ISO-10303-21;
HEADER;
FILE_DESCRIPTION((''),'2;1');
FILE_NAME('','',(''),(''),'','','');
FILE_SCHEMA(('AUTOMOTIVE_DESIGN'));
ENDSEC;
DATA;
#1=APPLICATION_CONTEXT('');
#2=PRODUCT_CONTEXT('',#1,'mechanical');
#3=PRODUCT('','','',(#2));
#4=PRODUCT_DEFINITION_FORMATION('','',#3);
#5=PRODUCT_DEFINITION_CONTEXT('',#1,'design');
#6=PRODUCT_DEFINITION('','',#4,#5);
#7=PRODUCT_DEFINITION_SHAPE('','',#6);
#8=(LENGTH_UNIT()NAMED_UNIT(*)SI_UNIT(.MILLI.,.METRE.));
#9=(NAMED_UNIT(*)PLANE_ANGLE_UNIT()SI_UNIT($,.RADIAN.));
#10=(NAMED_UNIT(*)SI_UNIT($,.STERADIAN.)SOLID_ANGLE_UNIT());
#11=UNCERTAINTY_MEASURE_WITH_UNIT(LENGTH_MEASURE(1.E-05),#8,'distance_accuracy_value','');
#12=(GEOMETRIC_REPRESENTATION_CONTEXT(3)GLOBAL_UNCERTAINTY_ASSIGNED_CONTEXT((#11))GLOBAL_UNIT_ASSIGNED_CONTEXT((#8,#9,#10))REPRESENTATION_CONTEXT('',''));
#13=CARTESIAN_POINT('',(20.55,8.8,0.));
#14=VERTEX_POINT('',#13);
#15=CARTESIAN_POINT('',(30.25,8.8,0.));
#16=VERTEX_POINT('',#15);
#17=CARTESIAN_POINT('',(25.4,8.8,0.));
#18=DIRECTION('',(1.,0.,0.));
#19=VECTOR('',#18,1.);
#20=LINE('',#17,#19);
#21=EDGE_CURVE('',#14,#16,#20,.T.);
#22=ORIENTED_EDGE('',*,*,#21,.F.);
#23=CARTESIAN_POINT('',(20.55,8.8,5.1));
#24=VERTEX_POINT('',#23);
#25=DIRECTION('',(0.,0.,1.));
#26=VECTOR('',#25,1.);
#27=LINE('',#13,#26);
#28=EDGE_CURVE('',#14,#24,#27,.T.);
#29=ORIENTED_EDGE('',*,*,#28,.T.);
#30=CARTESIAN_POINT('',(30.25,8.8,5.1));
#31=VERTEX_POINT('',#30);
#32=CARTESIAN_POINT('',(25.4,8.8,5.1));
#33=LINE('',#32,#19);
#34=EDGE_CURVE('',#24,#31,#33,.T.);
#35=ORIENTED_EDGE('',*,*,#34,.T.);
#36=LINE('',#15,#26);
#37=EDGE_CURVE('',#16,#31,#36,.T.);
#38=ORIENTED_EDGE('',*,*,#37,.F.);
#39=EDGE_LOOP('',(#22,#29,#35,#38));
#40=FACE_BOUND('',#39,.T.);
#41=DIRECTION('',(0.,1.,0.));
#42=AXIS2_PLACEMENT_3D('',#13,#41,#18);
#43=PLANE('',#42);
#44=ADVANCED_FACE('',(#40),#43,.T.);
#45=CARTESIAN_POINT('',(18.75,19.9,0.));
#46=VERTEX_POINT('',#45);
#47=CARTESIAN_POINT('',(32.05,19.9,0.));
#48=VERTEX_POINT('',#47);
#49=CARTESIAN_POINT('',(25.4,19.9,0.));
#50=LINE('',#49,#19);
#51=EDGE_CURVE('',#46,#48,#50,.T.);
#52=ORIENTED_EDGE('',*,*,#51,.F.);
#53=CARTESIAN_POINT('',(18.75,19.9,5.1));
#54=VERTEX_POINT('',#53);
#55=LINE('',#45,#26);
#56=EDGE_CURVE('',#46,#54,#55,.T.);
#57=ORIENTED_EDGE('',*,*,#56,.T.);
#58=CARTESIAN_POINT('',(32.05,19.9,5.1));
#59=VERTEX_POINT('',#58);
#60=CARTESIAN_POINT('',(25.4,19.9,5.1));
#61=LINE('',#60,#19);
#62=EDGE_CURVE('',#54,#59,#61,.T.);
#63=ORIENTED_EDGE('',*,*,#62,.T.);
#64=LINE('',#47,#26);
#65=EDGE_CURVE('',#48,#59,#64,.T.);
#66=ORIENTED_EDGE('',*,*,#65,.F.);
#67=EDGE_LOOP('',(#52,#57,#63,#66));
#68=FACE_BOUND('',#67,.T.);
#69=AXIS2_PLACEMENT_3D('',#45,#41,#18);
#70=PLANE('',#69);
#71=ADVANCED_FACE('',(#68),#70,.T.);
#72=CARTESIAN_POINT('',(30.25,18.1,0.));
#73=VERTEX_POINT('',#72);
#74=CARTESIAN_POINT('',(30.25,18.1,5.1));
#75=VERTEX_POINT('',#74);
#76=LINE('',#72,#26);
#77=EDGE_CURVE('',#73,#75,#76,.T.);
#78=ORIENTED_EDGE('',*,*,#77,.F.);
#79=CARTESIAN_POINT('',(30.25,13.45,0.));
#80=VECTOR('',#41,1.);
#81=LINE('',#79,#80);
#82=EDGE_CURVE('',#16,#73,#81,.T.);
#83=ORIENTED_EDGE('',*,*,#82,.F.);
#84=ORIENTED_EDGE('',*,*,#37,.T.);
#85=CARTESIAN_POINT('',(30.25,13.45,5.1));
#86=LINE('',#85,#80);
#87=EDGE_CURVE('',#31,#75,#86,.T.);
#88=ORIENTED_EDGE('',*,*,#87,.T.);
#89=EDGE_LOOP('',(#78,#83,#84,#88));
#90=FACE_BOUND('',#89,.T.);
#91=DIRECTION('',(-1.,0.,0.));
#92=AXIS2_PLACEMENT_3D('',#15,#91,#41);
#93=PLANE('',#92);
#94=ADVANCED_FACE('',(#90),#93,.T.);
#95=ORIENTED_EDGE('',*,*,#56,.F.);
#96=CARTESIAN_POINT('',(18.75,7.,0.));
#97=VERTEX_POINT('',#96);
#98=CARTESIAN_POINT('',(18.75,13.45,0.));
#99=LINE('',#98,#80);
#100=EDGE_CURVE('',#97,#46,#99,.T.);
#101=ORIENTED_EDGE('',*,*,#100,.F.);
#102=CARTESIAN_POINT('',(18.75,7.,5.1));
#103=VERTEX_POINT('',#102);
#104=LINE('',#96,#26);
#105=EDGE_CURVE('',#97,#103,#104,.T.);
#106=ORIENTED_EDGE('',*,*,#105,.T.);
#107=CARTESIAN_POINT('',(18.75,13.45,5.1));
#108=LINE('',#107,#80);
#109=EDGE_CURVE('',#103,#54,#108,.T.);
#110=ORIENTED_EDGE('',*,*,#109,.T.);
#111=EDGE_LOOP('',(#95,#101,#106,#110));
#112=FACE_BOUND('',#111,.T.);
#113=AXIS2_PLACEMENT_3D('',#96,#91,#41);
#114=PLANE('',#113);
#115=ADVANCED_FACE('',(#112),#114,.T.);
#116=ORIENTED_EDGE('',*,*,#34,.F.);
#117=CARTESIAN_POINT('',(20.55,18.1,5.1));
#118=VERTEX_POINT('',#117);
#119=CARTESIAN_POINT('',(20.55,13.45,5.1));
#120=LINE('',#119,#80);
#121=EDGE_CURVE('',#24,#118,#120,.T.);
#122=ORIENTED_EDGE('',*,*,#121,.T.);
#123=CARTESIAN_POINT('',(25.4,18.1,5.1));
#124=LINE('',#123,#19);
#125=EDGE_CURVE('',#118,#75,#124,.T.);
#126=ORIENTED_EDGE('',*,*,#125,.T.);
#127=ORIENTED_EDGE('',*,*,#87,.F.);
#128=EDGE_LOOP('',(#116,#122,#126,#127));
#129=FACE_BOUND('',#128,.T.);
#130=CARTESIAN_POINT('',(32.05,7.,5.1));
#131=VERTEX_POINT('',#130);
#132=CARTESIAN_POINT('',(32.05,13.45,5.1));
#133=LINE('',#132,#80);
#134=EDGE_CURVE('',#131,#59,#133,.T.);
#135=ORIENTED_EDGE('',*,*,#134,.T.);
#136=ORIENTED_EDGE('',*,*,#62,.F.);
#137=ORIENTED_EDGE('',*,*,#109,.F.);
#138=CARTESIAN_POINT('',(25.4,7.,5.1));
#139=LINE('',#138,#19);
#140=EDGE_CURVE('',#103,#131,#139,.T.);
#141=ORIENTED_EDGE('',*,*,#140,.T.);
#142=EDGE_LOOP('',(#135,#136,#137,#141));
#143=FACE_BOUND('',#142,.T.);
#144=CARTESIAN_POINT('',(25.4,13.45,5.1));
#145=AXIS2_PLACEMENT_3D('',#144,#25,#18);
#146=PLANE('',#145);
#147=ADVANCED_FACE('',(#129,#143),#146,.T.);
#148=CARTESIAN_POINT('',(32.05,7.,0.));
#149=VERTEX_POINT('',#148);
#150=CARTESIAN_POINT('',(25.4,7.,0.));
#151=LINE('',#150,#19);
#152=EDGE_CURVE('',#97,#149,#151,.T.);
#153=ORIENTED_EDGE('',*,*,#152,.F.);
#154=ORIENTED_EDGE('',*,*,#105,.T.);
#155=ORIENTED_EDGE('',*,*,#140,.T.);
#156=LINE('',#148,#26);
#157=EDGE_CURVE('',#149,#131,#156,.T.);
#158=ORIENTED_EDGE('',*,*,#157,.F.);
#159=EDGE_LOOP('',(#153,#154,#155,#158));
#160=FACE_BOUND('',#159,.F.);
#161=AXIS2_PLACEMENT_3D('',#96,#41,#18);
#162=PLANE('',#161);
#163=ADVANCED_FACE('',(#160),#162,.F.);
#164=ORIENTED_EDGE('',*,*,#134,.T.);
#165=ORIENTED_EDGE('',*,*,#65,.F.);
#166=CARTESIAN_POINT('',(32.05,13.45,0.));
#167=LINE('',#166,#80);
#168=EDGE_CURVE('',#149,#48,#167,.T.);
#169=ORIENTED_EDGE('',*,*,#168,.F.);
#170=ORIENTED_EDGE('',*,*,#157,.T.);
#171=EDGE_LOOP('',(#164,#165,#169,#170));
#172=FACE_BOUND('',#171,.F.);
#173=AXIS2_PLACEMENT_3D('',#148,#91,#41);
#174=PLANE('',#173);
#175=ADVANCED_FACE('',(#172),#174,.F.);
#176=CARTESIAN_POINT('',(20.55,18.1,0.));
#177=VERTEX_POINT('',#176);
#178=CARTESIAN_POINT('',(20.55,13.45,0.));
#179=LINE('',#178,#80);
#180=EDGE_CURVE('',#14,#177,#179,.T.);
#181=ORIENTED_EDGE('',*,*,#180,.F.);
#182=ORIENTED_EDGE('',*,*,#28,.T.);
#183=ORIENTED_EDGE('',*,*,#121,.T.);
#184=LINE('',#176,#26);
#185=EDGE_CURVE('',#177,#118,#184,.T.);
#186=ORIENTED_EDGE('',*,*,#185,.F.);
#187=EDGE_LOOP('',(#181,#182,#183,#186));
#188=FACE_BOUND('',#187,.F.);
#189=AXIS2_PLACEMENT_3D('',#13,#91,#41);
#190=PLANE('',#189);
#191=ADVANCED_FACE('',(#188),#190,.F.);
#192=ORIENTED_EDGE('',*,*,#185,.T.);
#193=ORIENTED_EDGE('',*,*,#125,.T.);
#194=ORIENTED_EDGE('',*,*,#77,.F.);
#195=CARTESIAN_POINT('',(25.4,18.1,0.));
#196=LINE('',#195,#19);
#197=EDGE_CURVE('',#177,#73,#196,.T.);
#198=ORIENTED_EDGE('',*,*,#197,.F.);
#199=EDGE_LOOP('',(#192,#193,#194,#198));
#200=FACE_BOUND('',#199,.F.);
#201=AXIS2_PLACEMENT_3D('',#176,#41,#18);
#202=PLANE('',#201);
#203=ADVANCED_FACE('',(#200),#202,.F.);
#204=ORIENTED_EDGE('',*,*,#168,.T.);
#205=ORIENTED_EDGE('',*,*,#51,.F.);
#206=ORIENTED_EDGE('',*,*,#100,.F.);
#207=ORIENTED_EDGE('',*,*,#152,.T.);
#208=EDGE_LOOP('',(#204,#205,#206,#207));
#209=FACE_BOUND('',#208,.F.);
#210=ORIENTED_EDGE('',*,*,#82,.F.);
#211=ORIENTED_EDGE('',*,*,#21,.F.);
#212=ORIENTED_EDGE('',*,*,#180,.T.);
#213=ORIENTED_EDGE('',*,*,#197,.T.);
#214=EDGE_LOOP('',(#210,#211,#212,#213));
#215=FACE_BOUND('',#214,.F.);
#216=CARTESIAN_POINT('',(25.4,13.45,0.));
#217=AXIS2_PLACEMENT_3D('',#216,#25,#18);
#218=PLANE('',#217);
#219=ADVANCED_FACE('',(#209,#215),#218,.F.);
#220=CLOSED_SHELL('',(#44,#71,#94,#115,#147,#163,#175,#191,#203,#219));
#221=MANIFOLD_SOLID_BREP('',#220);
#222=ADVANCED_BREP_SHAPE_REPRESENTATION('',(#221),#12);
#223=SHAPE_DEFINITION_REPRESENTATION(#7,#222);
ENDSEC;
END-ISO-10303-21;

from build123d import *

# Parameters (mm, degrees)
BOX002_W     = 9.7
BOX002_H     = 9.3
BOX002_DEPTH = 5.1
BOX001_W     = 13.3
BOX001_H     = 12.9
BOX001_DEPTH = 5.1


with BuildPart() as cube002:
    # Box002 → Box002 (new body)
    with BuildSketch(Plane(origin=(1.8, 1.8, 0), x_dir=(1, 0, 0), z_dir=(0, 0, 1))):
        with Locations((4.85, 4.65)):
            Rectangle(BOX002_W, BOX002_H)
    extrude(amount=BOX002_DEPTH)


with BuildPart() as cut:
    # Box001 → Box001 (new body)
    with BuildSketch(Plane.XY):
        with Locations((6.65, 6.45)):
            Rectangle(BOX001_W, BOX001_H)
    extrude(amount=BOX001_DEPTH)

    # Cut: cut Cube002
    add(cube002.part, mode=Mode.SUBTRACT)


with BuildPart() as cut_1:
    # Cut placement: moved
    add(cut.part.moved(Location((18.75, 7, 0))))


solid = cut_1.part
